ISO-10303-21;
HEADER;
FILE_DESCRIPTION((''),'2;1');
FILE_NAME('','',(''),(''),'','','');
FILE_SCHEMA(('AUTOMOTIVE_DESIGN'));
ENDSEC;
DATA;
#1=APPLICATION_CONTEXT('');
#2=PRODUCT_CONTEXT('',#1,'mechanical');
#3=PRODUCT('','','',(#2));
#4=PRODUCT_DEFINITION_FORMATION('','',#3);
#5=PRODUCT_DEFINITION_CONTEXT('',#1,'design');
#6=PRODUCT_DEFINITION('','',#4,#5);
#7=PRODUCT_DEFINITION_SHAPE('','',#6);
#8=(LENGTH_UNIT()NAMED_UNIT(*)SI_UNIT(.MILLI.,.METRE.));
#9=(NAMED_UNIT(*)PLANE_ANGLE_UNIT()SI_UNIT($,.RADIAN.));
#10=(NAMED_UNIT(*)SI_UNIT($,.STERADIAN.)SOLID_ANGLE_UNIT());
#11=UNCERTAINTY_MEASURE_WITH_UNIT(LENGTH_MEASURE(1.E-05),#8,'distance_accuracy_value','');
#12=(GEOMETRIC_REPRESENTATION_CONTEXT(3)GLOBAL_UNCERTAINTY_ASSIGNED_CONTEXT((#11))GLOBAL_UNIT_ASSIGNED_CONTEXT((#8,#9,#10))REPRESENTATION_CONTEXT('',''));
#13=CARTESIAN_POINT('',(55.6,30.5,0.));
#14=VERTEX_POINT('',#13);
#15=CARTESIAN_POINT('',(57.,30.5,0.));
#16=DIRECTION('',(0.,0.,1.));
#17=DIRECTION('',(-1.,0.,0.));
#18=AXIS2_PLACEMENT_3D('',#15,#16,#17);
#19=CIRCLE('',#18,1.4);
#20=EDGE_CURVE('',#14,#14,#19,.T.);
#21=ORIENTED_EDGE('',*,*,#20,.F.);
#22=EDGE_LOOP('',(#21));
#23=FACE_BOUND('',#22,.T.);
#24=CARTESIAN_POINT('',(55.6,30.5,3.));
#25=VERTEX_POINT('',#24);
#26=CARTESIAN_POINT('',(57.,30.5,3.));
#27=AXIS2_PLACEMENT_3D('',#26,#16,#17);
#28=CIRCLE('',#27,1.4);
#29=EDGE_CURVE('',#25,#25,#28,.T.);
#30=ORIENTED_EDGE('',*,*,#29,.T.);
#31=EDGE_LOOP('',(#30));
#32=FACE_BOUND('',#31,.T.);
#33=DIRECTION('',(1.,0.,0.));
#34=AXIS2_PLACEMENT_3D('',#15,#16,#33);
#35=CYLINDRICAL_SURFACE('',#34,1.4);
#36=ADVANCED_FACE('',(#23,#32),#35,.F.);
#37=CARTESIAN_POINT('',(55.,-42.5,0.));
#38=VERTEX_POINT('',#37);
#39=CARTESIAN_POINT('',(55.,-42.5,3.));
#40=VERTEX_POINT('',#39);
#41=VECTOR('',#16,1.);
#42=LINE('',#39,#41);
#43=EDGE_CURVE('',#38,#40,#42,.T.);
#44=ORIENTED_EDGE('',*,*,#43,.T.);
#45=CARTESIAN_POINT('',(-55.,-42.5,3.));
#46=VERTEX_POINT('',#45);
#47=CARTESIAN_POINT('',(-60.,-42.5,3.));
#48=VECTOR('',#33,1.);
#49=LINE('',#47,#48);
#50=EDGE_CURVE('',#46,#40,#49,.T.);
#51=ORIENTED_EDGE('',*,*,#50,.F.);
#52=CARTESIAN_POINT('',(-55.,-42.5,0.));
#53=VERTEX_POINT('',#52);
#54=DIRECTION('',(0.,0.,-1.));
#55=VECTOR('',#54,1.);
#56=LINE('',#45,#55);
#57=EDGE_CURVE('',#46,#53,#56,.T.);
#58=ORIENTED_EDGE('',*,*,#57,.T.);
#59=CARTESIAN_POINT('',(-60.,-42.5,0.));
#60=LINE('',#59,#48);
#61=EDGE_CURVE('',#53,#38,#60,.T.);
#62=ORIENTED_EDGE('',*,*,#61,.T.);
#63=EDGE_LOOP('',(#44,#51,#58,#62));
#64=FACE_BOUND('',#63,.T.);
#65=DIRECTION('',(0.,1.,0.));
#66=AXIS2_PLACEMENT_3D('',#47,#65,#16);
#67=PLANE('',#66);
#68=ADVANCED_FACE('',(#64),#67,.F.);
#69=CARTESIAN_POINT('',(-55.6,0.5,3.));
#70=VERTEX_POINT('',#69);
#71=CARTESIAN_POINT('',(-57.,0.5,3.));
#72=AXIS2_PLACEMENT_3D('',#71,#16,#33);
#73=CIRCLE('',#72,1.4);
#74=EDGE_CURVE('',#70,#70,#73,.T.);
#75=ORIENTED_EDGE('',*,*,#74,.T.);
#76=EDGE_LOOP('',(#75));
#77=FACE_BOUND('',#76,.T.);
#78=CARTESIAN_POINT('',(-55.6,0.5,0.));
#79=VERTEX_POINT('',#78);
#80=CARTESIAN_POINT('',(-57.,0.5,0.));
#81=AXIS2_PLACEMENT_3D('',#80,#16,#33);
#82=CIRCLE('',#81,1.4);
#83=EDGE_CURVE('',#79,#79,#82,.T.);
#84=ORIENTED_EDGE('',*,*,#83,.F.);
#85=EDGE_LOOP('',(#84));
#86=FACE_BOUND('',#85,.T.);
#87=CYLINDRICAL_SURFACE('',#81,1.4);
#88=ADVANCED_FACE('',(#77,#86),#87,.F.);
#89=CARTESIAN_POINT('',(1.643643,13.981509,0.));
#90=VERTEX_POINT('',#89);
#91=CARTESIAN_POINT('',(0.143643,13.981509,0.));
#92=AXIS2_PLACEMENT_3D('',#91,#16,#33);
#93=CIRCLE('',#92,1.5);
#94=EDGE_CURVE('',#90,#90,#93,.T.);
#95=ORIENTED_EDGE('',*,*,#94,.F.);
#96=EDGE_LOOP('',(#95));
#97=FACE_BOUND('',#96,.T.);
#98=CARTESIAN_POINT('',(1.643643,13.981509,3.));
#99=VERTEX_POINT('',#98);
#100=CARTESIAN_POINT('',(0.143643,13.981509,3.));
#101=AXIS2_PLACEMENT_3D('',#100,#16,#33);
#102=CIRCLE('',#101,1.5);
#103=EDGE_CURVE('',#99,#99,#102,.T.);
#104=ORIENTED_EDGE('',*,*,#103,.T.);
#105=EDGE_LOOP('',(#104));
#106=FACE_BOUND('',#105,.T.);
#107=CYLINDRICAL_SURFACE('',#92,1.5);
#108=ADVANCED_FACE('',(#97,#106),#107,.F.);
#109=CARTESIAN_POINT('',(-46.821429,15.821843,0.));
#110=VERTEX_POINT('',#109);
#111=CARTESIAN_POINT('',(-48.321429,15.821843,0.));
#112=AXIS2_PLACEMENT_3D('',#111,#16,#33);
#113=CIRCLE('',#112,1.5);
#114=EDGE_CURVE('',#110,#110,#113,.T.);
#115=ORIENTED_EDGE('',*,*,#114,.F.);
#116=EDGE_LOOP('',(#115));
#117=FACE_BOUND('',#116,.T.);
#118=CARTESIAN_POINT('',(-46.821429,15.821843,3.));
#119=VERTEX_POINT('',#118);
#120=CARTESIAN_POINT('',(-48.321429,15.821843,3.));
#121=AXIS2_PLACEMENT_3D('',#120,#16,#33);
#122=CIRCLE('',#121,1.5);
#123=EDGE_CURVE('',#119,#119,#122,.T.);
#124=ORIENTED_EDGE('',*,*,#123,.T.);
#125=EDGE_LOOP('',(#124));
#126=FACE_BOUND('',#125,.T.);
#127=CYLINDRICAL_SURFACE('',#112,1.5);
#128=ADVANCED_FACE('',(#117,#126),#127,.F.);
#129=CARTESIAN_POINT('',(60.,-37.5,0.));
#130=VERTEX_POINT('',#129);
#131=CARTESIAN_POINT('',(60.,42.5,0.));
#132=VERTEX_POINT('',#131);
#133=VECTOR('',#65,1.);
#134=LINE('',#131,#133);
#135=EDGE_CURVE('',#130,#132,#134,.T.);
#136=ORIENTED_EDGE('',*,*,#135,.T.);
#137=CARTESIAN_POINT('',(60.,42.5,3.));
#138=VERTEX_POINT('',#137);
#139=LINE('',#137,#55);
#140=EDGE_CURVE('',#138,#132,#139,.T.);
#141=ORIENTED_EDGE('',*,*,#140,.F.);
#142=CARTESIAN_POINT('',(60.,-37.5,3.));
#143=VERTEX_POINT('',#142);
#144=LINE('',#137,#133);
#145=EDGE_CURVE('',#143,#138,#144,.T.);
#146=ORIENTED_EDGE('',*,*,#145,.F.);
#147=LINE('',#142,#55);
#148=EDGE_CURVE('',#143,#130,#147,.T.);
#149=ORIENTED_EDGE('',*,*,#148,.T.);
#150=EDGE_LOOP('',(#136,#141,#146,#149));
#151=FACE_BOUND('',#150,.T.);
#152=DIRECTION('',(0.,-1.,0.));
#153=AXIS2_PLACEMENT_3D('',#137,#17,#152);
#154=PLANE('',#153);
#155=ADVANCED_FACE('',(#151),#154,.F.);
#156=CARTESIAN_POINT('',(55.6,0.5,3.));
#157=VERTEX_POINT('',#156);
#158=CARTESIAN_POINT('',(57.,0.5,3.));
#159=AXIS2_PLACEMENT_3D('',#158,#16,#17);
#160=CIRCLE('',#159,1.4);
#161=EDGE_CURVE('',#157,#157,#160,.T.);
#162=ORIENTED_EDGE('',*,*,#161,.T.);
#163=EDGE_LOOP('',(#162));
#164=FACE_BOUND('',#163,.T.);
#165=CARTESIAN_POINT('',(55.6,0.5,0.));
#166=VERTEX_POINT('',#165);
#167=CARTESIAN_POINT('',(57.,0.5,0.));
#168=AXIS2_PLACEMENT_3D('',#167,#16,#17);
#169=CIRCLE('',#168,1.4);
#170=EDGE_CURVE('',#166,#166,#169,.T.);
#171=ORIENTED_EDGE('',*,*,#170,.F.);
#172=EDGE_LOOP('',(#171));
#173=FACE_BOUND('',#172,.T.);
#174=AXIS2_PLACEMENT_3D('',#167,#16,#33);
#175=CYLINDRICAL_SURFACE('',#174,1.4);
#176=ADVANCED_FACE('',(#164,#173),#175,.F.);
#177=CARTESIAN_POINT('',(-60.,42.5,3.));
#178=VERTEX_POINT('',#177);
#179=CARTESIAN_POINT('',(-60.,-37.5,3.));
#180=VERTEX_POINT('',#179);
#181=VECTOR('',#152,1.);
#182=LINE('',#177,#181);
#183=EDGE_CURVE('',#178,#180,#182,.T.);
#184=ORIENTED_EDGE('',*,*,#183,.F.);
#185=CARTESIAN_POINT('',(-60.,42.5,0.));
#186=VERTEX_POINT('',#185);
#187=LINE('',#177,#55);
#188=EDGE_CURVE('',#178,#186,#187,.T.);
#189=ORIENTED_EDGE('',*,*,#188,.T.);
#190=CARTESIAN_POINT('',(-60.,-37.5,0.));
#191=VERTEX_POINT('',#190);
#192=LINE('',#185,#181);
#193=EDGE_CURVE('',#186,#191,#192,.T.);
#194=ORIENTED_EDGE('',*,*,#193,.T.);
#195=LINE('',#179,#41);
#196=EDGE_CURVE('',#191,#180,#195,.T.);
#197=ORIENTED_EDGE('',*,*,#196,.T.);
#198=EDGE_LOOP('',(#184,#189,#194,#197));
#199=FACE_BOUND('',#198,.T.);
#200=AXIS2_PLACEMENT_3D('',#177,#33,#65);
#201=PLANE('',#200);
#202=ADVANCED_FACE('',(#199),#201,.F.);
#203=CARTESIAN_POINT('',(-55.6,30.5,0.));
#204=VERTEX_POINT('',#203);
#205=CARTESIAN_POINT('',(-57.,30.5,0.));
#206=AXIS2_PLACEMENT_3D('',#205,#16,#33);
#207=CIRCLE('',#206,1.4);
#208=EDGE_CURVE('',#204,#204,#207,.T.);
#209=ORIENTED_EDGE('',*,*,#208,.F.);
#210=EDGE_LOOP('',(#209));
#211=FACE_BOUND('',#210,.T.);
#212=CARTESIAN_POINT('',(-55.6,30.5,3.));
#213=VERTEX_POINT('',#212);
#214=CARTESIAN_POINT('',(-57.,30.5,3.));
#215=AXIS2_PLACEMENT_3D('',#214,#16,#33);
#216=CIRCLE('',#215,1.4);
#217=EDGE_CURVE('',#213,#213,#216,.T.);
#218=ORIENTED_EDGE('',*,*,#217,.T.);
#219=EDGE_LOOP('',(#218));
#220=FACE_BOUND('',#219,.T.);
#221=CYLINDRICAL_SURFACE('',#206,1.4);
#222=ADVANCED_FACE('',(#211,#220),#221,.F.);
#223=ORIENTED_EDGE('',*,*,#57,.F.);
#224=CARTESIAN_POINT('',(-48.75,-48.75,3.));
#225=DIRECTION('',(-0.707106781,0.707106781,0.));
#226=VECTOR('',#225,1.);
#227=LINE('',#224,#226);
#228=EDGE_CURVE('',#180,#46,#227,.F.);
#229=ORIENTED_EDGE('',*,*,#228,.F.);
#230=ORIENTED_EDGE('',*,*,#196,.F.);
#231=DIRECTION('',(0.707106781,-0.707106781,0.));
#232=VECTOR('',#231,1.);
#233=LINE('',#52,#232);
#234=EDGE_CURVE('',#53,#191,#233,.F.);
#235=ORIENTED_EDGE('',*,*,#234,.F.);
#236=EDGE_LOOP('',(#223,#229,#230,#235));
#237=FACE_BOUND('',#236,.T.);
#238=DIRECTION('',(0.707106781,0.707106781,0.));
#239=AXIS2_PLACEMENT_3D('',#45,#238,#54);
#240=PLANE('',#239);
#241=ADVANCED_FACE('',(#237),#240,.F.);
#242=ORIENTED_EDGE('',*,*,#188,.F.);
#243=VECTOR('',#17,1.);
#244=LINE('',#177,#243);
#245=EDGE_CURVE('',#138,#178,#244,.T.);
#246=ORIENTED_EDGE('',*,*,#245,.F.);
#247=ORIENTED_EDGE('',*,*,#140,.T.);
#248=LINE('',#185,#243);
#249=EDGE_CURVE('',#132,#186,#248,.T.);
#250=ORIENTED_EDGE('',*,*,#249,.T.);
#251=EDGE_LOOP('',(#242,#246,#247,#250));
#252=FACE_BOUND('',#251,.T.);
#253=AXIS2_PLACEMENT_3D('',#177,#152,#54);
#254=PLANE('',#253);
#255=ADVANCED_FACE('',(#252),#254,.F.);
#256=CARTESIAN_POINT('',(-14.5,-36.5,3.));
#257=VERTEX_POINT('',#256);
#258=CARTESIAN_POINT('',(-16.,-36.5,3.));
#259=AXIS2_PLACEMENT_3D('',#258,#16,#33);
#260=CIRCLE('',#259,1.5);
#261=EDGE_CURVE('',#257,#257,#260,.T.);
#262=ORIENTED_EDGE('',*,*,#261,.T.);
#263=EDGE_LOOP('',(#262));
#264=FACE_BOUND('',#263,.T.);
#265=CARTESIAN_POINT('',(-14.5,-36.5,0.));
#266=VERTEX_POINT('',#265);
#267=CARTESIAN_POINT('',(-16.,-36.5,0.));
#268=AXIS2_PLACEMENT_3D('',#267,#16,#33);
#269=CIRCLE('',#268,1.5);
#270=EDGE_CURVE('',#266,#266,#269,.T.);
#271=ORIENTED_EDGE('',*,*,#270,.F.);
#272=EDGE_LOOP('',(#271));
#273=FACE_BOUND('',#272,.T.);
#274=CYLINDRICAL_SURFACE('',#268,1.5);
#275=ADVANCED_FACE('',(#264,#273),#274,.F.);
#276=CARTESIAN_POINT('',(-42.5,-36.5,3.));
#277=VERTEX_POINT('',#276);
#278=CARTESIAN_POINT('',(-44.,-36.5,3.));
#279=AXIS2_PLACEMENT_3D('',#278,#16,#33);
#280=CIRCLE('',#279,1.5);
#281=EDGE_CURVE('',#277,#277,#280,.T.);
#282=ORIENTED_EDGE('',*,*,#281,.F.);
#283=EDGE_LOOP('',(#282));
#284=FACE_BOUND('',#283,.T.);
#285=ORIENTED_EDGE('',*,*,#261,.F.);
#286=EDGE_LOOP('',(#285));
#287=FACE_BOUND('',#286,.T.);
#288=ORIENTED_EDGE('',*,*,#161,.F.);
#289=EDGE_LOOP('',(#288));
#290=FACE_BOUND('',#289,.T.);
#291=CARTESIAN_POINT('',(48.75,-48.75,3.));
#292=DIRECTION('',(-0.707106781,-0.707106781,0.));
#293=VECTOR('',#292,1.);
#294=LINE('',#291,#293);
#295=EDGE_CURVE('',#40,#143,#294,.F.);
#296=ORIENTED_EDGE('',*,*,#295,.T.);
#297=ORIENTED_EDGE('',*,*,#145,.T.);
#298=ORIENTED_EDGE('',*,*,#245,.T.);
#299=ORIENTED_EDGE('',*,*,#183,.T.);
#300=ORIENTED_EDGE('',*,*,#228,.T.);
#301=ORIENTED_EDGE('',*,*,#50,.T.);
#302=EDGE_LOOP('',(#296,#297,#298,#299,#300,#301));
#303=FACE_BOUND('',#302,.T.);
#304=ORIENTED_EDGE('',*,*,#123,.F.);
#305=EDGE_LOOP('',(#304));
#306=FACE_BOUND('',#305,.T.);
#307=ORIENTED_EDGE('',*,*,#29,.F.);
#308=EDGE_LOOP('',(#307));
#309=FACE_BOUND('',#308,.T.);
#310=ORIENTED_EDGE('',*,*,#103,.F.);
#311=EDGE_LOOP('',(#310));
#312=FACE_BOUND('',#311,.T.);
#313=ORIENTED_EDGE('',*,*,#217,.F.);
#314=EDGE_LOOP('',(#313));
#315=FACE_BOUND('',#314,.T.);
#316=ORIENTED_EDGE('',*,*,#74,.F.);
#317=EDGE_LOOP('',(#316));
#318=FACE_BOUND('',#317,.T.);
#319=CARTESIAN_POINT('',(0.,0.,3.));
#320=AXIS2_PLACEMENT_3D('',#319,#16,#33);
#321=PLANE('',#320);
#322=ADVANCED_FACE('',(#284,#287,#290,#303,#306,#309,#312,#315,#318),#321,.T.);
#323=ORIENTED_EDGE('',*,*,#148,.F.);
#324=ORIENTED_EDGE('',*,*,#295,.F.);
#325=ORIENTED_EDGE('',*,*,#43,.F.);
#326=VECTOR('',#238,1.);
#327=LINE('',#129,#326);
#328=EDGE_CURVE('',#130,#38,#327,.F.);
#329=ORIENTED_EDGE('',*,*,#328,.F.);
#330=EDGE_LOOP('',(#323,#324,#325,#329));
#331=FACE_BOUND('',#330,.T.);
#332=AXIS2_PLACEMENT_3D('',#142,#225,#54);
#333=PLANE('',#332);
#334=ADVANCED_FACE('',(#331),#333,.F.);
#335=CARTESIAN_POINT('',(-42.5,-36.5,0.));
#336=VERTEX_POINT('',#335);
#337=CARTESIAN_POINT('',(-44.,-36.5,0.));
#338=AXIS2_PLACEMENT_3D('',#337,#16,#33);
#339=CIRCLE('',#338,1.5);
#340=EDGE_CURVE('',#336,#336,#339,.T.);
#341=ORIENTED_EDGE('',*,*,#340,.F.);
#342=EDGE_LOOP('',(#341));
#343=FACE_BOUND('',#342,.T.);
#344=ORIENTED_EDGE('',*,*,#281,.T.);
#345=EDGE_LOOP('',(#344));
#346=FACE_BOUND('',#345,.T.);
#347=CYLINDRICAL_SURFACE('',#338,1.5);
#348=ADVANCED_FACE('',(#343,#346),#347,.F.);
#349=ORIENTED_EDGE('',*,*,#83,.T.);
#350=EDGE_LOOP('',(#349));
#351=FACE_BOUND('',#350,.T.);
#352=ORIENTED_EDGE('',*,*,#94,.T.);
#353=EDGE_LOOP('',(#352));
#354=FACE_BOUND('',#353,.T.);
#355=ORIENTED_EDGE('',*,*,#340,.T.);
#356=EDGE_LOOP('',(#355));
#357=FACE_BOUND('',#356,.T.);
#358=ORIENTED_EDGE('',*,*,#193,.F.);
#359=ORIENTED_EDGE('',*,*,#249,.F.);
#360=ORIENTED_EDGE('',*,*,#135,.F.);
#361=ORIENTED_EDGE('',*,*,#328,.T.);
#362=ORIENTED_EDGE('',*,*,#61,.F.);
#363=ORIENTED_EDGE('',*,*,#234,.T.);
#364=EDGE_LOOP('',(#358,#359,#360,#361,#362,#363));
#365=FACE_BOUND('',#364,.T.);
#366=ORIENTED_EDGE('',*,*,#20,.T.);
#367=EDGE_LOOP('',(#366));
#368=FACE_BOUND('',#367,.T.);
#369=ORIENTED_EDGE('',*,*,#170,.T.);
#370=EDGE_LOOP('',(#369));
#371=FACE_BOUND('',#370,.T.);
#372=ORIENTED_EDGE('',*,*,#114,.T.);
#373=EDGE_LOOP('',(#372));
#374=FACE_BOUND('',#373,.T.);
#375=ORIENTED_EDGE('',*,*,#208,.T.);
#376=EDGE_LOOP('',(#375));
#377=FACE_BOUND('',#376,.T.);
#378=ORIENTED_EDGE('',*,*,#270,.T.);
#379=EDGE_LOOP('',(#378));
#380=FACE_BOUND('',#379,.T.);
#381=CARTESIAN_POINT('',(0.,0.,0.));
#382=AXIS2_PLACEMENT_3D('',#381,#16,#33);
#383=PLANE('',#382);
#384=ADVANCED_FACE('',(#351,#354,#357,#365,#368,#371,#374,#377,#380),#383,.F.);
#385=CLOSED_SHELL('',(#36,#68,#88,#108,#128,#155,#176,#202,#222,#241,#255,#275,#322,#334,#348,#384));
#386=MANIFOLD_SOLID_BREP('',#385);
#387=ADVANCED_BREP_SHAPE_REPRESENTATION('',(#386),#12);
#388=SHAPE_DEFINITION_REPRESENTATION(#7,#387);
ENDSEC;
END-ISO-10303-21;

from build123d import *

# Parameters (mm, degrees)
SKETCH_1_W          = 120
SKETCH_1_H          = 85
EXTRUDE_1_DEPTH     = 3
SKETCH_2_R          = 1.4
CUT_EXTRUDE_1_DEPTH = 74.588382235
SKETCH_3_R          = 1.5
CUT_EXTRUDE_2_DEPTH = 74.588382235
CHAMFER_1_SIZE      = 5


with BuildPart() as part:
    # 草图1 → 凸台-拉伸1 (new body)
    with BuildSketch(Plane.XY):
        Rectangle(SKETCH_1_W, SKETCH_1_H)
    extrude(amount=EXTRUDE_1_DEPTH)

    # 草图2 → 切除-拉伸1 (cut, through all)
    with BuildSketch(Plane.XY.offset(3)):
        with Locations((-57, 30.5)):
            Circle(SKETCH_2_R)
        with Locations((-57, 0.5)):
            Circle(SKETCH_2_R)
        with Locations(Location((57, 30.5, 0), (0, 0, 180))):
            Circle(SKETCH_2_R)
        with Locations(Location((57, 0.5, 0), (0, 0, 180))):
            Circle(SKETCH_2_R)
    extrude(amount=-CUT_EXTRUDE_1_DEPTH, mode=Mode.SUBTRACT)

    # 草图3 → 切除-拉伸2 (cut, through all)
    with BuildSketch(Plane.XY.offset(3)):
        with Locations((-44, -36.5)):
            Circle(SKETCH_3_R)
        with Locations((-16, -36.5)):
            Circle(SKETCH_3_R)
        with Locations((-48.321428571, 15.821843002)):
            Circle(SKETCH_3_R)
        with Locations((0.1436431, 13.981509362)):
            Circle(SKETCH_3_R)
    extrude(amount=-CUT_EXTRUDE_2_DEPTH, mode=Mode.SUBTRACT)

    # 倒角1
    chamfer_1_edges = [part.edges().sort_by_distance(p)[0] for p in [
        (60, -42.5, 1.5),
        (-60, -42.5, 1.5),
    ]]
    chamfer(chamfer_1_edges, length=CHAMFER_1_SIZE)


solid = part.part
